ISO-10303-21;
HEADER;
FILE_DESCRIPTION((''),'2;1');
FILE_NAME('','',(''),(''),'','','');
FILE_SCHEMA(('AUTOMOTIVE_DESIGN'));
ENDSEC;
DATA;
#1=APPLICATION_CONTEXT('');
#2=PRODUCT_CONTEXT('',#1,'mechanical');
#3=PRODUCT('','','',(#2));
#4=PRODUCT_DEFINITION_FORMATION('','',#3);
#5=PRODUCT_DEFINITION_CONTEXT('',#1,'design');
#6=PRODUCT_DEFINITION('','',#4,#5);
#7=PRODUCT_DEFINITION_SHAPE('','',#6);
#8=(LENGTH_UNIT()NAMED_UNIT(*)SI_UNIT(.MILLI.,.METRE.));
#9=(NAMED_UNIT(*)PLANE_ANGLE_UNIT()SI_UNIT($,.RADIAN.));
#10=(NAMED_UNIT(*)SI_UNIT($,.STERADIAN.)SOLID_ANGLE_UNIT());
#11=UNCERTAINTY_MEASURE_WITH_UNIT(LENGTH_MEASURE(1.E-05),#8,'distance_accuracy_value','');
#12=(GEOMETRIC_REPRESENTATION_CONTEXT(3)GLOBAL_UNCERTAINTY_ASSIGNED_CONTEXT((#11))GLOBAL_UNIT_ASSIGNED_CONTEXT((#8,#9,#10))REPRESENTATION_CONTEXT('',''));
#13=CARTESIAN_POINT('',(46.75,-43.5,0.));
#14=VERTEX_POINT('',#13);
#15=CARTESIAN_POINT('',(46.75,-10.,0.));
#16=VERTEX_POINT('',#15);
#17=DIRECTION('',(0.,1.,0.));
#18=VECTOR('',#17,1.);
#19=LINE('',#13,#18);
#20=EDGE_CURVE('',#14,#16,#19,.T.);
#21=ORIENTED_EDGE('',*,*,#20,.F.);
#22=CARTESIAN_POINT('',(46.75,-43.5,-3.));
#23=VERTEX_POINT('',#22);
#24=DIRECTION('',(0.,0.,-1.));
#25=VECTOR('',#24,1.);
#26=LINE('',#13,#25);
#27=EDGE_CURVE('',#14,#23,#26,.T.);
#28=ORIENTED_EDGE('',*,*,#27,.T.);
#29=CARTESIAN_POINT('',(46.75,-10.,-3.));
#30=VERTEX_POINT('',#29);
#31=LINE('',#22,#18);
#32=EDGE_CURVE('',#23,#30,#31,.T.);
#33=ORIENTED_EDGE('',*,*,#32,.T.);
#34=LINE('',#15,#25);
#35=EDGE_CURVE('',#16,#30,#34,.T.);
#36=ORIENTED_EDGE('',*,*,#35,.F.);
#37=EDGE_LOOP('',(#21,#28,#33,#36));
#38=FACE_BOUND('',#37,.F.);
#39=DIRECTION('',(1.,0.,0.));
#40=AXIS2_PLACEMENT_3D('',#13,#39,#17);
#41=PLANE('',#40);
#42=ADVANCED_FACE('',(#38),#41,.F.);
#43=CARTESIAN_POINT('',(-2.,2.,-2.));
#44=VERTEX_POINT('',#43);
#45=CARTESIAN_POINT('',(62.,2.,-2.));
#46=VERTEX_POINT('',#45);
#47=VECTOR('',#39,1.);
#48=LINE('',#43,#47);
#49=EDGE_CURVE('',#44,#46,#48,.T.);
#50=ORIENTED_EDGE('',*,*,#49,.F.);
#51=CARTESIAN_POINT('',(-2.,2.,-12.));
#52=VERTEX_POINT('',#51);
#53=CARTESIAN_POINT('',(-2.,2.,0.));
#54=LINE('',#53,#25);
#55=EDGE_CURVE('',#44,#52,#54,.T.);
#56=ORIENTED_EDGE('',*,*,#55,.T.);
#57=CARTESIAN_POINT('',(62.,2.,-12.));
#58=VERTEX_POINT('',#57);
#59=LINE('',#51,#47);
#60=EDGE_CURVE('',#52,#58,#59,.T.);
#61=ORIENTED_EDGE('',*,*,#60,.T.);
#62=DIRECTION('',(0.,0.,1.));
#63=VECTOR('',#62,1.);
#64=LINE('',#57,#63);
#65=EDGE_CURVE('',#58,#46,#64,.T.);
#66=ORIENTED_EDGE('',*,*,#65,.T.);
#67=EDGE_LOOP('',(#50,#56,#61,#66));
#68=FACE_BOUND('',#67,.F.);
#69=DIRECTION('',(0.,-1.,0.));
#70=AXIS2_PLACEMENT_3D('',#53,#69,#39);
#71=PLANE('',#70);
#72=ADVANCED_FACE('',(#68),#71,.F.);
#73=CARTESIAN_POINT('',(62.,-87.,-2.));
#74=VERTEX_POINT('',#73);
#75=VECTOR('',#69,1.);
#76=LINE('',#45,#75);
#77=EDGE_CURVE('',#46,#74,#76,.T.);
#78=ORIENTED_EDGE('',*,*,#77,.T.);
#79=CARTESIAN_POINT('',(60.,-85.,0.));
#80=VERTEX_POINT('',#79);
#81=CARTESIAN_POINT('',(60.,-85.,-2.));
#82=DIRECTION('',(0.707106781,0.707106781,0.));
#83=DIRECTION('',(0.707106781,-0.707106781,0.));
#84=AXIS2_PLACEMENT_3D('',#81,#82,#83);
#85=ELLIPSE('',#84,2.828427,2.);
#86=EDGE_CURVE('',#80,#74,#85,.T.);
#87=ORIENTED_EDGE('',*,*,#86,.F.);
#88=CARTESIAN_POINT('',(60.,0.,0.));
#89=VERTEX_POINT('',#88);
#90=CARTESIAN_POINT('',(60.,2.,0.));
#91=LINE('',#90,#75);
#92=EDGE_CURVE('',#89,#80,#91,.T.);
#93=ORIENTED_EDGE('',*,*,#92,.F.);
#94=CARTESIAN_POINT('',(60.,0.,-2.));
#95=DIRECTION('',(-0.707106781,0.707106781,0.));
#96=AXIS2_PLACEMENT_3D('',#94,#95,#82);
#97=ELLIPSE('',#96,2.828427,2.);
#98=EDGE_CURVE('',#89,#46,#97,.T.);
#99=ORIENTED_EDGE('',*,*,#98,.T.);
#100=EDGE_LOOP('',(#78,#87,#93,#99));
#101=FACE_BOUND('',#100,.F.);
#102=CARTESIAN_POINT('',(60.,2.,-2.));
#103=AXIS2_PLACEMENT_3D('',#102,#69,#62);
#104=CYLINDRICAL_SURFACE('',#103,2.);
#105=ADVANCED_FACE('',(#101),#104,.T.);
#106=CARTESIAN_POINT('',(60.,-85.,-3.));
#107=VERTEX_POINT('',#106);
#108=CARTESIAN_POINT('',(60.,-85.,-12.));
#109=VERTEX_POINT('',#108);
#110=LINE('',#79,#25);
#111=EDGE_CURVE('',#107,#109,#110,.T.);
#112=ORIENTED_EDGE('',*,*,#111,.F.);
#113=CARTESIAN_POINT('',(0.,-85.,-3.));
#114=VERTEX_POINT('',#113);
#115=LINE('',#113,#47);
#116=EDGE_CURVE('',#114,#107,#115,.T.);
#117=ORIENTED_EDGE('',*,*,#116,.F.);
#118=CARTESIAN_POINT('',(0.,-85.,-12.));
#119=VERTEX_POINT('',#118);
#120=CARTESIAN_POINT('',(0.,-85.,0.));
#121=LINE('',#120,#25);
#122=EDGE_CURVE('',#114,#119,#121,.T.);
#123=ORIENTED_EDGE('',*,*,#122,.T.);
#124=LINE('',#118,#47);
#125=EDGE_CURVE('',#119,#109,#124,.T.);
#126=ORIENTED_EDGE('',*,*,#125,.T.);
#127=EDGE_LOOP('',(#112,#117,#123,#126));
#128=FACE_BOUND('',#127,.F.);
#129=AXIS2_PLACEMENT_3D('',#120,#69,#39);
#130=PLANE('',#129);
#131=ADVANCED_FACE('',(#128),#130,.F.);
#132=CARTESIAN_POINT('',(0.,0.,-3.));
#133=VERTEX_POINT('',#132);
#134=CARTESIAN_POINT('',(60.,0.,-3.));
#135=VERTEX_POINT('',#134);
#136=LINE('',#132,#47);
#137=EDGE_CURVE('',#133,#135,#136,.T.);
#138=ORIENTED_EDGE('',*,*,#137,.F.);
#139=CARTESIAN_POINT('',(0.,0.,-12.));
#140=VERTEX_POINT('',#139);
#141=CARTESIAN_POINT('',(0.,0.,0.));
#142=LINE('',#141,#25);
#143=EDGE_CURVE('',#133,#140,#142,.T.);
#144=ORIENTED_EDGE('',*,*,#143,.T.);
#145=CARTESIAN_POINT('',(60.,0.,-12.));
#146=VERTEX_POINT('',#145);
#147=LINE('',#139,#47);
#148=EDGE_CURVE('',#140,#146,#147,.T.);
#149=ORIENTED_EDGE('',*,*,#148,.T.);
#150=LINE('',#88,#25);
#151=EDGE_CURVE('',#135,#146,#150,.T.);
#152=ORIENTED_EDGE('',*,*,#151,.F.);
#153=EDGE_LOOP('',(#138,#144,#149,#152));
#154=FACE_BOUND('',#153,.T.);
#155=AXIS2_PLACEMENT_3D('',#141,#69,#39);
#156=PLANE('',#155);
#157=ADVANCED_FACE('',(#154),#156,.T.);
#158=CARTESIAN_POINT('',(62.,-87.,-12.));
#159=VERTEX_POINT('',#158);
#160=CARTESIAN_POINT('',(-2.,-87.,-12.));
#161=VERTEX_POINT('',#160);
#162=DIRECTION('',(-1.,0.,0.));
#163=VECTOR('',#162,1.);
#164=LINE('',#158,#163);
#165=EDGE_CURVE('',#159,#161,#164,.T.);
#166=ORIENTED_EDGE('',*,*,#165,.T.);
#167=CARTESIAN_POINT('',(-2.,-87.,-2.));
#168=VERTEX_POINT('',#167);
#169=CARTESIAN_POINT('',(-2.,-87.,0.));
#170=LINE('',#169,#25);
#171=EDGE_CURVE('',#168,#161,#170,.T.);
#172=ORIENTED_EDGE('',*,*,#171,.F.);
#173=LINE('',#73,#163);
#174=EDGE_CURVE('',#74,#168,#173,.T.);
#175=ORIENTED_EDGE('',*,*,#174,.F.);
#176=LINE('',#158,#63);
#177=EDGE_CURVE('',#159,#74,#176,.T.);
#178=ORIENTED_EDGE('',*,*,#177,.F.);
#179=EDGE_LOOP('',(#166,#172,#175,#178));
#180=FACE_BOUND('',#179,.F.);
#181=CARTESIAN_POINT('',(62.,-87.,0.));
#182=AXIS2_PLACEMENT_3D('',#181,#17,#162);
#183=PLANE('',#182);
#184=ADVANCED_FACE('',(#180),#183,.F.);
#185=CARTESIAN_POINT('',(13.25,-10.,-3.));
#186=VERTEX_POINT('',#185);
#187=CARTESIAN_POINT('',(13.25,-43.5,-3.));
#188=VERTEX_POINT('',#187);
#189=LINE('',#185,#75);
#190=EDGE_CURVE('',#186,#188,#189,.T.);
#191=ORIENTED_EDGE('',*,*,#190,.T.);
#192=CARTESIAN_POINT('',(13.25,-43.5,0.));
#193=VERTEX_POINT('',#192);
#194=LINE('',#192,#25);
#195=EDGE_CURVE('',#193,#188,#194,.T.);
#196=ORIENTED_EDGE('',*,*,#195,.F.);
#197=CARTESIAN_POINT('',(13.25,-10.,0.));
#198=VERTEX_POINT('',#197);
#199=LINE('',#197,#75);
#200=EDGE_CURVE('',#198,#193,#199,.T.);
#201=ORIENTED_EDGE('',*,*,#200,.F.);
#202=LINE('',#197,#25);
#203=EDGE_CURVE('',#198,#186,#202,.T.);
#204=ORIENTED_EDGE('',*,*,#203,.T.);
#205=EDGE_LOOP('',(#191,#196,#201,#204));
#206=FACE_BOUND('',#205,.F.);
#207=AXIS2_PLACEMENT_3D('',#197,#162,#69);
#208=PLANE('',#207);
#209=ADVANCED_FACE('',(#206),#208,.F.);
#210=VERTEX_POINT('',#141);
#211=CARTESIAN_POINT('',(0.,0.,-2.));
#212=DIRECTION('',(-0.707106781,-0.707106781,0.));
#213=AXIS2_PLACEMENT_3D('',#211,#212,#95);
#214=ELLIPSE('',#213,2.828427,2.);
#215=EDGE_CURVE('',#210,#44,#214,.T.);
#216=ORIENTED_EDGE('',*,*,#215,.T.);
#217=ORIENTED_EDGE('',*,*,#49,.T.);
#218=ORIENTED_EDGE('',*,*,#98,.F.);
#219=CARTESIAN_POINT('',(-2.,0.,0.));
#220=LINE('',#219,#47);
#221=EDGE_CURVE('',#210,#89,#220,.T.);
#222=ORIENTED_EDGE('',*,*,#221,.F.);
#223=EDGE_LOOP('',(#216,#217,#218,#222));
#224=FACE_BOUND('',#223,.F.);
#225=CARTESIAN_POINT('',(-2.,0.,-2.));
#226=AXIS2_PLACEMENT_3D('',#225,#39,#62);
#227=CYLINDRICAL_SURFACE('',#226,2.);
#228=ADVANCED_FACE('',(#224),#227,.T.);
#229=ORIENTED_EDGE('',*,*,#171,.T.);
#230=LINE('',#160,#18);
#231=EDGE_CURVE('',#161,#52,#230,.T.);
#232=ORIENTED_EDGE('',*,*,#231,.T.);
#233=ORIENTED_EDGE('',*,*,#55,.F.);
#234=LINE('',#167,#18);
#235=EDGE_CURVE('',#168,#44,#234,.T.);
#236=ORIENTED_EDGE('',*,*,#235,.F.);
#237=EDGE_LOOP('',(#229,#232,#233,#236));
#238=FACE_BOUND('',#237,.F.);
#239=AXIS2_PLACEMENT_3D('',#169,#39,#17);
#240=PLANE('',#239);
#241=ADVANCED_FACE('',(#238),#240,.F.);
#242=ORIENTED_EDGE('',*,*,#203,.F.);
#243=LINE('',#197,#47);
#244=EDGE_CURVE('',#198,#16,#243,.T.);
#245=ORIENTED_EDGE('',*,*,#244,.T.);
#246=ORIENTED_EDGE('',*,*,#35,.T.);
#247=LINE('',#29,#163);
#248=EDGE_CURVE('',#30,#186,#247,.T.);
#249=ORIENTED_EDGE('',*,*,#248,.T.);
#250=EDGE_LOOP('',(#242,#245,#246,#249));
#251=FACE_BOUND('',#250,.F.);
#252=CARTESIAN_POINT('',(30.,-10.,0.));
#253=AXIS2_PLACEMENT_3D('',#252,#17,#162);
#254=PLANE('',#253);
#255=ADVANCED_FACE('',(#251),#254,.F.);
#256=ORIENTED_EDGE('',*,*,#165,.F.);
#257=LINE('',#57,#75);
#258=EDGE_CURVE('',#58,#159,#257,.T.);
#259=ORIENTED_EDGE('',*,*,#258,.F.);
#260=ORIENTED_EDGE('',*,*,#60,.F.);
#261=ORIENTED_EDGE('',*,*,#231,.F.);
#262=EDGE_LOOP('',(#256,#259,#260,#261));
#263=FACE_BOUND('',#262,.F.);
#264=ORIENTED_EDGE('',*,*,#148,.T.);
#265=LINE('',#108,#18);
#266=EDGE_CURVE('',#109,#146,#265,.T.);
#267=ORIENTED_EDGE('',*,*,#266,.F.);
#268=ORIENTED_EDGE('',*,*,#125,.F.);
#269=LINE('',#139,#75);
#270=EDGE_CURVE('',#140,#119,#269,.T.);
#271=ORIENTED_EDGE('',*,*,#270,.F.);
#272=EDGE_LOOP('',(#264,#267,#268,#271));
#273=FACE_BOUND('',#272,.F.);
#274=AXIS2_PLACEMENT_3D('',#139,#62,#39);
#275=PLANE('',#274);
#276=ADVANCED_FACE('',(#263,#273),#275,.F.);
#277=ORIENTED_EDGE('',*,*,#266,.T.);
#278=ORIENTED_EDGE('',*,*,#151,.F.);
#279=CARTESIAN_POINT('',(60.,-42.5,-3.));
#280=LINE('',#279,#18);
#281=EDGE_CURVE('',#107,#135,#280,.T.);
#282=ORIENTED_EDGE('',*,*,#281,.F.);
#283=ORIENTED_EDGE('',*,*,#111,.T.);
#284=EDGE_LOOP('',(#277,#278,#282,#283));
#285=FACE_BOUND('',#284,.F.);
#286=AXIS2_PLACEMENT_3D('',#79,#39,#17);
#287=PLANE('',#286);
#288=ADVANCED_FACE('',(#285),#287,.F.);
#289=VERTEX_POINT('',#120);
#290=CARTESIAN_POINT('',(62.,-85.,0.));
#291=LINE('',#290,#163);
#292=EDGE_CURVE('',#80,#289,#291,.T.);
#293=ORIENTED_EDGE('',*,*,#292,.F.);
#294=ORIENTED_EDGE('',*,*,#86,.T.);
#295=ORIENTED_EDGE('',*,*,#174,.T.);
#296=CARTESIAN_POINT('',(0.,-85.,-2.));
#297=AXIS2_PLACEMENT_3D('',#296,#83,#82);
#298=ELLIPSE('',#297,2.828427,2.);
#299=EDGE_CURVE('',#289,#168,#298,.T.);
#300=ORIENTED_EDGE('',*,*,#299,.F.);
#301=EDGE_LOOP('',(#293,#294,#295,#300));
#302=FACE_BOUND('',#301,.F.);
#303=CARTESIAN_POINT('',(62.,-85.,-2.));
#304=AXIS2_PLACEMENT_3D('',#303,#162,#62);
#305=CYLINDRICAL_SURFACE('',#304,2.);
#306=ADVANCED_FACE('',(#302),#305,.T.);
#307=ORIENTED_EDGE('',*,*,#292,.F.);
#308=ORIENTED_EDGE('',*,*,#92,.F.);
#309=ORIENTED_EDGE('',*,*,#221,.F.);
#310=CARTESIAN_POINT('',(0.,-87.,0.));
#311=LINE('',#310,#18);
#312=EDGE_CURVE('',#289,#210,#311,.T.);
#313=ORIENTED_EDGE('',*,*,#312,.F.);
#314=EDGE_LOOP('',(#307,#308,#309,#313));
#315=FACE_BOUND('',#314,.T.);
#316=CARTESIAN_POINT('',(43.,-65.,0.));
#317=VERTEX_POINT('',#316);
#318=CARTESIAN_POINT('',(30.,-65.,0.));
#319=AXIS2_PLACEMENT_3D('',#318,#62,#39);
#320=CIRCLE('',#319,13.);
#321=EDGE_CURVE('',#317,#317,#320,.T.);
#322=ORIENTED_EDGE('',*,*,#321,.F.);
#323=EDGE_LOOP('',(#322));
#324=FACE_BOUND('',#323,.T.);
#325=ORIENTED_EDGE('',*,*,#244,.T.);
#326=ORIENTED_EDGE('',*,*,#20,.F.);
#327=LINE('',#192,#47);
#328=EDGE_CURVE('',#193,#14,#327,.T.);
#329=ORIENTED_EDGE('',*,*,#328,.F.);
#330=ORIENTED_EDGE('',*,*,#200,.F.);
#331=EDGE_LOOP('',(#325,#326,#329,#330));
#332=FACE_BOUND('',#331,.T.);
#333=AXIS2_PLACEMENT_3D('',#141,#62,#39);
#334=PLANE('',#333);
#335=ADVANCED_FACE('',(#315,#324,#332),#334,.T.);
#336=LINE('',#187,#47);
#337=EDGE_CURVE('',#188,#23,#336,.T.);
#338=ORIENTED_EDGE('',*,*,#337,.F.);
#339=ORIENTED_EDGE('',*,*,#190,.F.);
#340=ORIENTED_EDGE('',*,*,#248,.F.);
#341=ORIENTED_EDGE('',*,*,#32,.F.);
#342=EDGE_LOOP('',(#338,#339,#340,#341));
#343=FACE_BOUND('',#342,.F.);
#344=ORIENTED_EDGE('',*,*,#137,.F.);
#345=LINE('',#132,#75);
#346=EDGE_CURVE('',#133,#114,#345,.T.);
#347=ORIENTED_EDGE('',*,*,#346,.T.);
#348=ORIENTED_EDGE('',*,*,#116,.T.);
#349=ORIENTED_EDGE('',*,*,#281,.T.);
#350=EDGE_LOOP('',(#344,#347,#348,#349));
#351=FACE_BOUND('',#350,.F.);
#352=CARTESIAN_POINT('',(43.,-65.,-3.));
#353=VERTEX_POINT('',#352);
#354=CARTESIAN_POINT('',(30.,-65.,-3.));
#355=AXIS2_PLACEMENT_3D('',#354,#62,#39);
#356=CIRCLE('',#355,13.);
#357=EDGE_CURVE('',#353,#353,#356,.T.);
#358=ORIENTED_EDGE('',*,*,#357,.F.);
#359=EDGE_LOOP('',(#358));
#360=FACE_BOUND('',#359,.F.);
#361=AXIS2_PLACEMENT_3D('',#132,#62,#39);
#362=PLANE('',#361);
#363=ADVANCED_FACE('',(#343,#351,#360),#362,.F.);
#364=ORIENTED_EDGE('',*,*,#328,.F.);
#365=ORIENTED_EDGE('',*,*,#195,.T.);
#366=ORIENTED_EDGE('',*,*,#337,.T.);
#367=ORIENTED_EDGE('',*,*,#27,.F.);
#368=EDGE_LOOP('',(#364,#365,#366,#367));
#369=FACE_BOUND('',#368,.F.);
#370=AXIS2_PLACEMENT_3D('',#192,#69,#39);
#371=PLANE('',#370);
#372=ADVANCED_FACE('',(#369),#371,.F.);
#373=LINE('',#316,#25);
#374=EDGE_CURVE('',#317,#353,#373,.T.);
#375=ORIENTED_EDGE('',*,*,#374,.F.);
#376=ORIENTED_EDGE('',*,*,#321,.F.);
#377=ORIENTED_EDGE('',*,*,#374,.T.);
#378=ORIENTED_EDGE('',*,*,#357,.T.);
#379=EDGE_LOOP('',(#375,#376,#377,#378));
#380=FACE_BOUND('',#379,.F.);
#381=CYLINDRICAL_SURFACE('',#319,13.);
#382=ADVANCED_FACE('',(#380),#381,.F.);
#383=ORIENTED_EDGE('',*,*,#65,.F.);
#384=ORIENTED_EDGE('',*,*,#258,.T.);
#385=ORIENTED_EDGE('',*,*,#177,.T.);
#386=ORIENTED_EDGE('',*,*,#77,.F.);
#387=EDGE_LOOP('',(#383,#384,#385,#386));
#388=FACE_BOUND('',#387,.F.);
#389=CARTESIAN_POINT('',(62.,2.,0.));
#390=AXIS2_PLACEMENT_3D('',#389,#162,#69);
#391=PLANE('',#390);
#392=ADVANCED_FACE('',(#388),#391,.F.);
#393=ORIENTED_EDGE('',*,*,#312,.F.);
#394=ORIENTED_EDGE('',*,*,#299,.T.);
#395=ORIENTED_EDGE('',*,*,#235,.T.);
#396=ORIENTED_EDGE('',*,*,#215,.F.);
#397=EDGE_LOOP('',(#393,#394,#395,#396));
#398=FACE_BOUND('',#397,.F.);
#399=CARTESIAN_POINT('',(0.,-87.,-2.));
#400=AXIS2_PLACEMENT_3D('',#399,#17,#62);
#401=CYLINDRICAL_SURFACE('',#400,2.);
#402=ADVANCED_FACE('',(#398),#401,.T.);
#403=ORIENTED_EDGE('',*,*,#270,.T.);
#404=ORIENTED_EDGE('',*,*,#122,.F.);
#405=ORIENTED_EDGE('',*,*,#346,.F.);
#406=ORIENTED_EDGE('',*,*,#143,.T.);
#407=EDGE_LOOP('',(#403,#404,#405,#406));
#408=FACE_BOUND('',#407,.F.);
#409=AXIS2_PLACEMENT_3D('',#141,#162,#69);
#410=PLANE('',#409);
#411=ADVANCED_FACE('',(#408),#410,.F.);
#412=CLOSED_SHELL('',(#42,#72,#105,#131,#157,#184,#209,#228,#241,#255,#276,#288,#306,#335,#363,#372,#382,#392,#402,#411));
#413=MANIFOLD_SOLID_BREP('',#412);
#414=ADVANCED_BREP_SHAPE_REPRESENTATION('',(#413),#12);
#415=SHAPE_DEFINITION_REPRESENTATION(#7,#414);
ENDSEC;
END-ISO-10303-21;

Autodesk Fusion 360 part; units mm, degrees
sketch "Sketch1" plane through (0, 0, 0) normal (0, 0, 1) x (1, 0, 0)
  line L0 (0, 0) -> (60, 0)
  line L1 (0, 0) -> (0, -85)
  line L2 (0, -85) -> (60, -85)
  line L3 (60, -85) -> (60, 0)
  line L4 (30, -10) -> (46.75, -10)
  line L5 (46.75, -10) -> (13.25, -10)
  line L6 (13.25, -10) -> (13.25, -43.5)
  line L7 (13.25, -43.5) -> (46.75, -43.5)
  line L8 (46.75, -43.5) -> (46.75, -10)
  circle A0 centre (30, -65) radius 13
  line L9 (62, -87) -> (-2, -87)
  line L10 (-2, -87) -> (-2, 2)
  line L11 (-2, 2) -> (62, 2)
  line L12 (62, 2) -> (62, -87)
  dimension "d1" = 60
  dimension "d2" = 85
  dimension "d3" = 60
  dimension "d4" = 16.75
  dimension "d5" = 33.5
  dimension "d6" = 33.5
  dimension "d7" = 33.5
  dimension "d8" = 26
extrude "Extrude1" add sketch "Sketch1" against normal blind 3 contours L0 L1 L2 L3 | L9 L10 L11 L12
extrude "Extrude2" add sketch "Sketch1" against normal blind 12 contours L9 L10 L11 L12
fillet "Fillet1" radius 2 4 edges at (-2, -42.5, 0) (30, 2, 0) (62, -42.5, 0) (30, -87, 0)
